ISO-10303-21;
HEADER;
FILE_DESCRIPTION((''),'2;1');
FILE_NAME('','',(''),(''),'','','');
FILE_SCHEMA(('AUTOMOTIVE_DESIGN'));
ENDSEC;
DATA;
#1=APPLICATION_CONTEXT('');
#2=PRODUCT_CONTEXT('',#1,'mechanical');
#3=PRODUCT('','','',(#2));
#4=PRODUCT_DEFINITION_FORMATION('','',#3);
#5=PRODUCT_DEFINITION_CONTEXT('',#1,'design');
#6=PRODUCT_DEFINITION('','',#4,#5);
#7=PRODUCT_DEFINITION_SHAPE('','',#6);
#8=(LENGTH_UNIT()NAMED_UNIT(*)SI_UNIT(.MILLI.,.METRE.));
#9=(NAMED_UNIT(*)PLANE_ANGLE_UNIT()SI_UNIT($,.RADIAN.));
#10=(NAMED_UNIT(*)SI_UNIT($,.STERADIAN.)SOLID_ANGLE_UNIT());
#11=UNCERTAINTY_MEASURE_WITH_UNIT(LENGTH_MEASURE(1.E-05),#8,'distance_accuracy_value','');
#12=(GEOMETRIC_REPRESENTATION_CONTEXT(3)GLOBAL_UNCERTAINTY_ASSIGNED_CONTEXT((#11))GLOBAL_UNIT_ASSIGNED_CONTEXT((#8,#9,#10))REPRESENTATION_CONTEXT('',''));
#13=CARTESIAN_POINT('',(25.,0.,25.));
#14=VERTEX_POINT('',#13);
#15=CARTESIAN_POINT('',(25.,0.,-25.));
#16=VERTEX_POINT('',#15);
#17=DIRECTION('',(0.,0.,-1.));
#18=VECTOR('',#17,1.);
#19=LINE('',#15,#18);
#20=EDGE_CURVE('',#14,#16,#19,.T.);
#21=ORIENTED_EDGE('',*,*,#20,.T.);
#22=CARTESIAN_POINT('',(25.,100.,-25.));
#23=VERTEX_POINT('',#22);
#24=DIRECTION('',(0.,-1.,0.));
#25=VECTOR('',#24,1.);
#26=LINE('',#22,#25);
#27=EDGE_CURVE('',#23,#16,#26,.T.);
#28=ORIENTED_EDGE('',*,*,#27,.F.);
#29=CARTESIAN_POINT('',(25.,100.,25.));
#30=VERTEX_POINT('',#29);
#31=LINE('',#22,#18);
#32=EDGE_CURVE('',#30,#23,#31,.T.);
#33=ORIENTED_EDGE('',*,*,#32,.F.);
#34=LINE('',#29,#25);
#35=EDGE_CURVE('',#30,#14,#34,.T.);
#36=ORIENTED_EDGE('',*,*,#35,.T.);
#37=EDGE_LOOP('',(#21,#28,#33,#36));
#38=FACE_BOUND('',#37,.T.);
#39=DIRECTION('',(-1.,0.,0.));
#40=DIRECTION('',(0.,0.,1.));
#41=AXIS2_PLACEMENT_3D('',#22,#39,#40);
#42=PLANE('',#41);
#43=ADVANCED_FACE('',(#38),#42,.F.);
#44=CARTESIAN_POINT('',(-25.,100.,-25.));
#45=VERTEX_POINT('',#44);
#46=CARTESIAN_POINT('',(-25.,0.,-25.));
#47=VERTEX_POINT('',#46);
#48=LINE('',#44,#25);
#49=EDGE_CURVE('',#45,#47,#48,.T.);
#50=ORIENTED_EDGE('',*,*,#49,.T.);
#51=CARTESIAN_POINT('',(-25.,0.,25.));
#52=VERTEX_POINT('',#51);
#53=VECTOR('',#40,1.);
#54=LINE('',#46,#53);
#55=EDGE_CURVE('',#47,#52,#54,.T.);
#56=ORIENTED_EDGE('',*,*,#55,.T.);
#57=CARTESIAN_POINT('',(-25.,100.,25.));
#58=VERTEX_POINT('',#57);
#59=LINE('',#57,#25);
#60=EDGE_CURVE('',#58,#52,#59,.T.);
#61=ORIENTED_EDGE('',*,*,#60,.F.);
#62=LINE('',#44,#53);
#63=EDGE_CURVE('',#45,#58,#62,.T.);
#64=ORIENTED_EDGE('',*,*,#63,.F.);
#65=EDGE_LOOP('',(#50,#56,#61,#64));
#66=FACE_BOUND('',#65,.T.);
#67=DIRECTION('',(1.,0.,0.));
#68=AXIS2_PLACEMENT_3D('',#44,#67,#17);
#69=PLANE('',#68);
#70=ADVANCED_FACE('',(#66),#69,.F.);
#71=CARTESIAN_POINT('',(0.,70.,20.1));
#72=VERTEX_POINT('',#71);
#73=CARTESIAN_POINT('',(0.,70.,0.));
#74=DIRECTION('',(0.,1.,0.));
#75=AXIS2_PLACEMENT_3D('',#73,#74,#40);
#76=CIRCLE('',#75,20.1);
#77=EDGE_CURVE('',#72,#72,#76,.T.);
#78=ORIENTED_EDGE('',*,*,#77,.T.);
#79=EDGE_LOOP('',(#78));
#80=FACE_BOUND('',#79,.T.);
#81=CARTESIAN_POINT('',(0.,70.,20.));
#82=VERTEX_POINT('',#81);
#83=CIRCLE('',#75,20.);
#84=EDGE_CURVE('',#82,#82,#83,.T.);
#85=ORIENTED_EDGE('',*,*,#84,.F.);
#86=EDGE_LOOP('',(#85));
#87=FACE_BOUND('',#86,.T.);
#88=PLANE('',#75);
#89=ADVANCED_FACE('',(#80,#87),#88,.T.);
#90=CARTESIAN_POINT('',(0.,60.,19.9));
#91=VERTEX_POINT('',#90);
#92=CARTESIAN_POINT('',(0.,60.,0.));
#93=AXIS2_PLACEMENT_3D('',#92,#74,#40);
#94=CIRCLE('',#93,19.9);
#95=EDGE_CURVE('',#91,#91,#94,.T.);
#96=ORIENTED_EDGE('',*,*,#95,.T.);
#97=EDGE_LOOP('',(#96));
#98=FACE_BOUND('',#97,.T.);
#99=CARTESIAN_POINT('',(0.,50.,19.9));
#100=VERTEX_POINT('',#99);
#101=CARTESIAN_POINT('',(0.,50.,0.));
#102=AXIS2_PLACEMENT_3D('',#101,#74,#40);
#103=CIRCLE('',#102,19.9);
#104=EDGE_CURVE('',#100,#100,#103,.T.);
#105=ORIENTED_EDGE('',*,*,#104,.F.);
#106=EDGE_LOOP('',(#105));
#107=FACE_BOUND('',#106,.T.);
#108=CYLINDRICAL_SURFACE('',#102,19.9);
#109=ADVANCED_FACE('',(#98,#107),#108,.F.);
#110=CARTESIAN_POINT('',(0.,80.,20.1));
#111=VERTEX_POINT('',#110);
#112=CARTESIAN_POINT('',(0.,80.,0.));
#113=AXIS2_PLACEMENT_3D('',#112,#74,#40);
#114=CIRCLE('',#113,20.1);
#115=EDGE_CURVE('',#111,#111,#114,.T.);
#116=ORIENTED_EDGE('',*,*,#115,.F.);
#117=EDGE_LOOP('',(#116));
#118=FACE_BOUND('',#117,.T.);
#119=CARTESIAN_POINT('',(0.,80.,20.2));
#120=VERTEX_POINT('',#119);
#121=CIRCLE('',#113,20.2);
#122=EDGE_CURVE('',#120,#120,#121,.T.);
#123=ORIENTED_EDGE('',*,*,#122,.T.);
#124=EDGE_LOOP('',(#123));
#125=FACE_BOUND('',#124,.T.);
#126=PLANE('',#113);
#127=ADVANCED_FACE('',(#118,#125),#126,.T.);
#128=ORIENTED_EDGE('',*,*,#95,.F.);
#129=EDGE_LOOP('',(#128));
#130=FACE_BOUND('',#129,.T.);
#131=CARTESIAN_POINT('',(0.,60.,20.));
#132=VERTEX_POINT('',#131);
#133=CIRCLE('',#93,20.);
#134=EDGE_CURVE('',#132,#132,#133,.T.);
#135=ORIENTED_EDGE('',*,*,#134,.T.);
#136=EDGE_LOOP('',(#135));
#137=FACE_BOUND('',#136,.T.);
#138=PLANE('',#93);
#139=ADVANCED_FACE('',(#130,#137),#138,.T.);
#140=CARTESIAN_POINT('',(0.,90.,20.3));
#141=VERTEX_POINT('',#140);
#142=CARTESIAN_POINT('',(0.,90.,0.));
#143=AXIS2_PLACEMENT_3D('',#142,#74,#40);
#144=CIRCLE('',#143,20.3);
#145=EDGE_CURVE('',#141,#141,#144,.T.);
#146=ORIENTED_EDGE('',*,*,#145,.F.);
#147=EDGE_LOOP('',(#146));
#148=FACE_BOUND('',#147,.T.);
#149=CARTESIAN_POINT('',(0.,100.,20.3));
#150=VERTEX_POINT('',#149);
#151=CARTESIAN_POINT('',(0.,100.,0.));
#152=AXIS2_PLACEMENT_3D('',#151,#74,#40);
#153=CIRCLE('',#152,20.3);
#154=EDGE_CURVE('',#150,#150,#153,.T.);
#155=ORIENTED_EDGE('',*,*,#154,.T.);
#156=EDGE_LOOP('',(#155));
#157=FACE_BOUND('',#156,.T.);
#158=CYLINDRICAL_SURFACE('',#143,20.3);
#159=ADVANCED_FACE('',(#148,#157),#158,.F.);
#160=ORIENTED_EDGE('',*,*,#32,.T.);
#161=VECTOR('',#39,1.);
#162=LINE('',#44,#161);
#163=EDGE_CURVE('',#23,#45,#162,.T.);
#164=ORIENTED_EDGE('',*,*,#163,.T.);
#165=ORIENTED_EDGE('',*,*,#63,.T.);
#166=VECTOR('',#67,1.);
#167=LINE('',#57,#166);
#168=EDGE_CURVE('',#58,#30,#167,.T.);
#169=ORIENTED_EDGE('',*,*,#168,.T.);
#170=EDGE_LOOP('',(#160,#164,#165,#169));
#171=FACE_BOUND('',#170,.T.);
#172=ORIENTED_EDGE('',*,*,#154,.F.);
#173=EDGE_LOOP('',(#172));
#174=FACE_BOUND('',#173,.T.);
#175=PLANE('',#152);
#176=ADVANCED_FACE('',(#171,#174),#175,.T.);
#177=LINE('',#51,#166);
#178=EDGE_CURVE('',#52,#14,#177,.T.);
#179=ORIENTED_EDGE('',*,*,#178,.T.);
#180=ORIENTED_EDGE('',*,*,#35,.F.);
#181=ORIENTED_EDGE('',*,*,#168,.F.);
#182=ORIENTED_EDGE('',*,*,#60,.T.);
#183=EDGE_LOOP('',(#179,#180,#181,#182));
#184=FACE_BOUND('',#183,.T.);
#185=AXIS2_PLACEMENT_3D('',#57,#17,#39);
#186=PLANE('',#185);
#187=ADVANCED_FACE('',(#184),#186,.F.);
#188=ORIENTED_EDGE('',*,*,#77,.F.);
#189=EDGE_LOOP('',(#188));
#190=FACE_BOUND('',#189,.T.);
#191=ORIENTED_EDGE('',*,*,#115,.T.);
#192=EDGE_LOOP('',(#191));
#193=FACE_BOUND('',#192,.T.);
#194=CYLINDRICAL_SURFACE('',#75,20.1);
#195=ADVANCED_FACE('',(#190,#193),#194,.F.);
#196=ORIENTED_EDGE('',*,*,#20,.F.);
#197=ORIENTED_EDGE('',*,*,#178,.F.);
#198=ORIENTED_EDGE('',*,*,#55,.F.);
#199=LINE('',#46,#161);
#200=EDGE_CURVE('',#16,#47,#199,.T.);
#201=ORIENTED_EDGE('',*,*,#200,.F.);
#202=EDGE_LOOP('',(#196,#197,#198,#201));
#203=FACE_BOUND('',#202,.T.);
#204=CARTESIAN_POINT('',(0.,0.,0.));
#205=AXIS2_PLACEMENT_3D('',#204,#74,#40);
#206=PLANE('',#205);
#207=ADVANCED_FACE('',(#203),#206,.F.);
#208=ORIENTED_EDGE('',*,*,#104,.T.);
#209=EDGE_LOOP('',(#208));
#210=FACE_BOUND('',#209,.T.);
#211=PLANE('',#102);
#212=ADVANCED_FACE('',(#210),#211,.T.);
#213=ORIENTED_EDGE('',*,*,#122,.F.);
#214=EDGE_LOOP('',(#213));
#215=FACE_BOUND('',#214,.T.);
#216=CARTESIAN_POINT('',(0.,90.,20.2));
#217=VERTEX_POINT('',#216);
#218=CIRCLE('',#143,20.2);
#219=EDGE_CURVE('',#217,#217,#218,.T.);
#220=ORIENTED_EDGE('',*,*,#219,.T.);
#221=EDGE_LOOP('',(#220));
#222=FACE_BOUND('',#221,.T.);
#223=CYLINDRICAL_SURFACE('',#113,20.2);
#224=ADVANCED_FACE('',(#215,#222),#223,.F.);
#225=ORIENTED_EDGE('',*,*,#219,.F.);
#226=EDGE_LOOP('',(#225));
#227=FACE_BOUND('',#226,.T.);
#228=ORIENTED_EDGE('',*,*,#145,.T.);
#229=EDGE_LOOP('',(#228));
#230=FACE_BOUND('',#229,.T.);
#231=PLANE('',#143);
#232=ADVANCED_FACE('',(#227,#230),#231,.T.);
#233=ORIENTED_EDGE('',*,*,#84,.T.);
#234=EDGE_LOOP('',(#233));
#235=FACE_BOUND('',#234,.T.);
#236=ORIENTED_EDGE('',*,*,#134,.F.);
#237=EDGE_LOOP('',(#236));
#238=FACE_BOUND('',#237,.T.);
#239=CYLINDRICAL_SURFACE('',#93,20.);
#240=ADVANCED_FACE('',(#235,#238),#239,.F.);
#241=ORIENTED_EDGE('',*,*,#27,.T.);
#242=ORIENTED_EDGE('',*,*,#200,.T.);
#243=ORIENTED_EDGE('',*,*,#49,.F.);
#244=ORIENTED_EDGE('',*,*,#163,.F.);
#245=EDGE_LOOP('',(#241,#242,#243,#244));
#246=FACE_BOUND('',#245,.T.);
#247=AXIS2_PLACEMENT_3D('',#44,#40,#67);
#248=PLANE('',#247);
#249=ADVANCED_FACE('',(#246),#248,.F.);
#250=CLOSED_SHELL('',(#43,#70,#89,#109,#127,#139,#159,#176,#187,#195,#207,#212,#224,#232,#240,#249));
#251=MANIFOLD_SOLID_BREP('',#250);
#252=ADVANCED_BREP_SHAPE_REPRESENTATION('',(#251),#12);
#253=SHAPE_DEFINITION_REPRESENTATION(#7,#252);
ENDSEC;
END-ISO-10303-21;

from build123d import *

# Parameters (mm, degrees)
SKETCH1_W           = 50
SKETCH1_H           = 50
BOSS_EXTRUDE1_DEPTH = 100
SKETCH2_R           = 19.9
CUT_EXTRUDE2_DEPTH  = 50
SKETCH2_5_R         = 20
SKETCH2_5_R_2       = 19.9
CUT_EXTRUDE3_DEPTH  = 40
SKETCH2_6_R         = 20.1
SKETCH2_6_R_2       = 20
CUT_EXTRUDE4_DEPTH  = 30
SKETCH2_7_R         = 20.2
SKETCH2_7_R_2       = 20.1
CUT_EXTRUDE5_DEPTH  = 20
SKETCH2_8_R         = 20.3
SKETCH2_8_R_2       = 20.2
CUT_EXTRUDE6_DEPTH  = 10


with BuildPart() as part:
    # Sketch1 → Boss-Extrude1 (new body)
    with BuildSketch(Plane(origin=(0, 0, 0), x_dir=(1, 0, 0), z_dir=(0, 1, 0))):
        Rectangle(SKETCH1_W, SKETCH1_H)
    extrude(amount=BOSS_EXTRUDE1_DEPTH)

    # Sketch2 → Cut-Extrude2 (cut)
    with BuildSketch(Plane(origin=(0, 100, 0), x_dir=(1, 0, 0), z_dir=(0, 1, 0))):
        Circle(SKETCH2_R)
    extrude(amount=-CUT_EXTRUDE2_DEPTH, mode=Mode.SUBTRACT)

    # Sketch2<5> → Cut-Extrude3 (cut)
    with BuildSketch(Plane(origin=(0, 100, 0), x_dir=(1, 0, 0), z_dir=(0, 1, 0))):
        Circle(SKETCH2_5_R)
        Circle(SKETCH2_5_R_2, mode=Mode.SUBTRACT)
    extrude(amount=-CUT_EXTRUDE3_DEPTH, mode=Mode.SUBTRACT)

    # Sketch2<6> → Cut-Extrude4 (cut)
    with BuildSketch(Plane(origin=(0, 100, 0), x_dir=(1, 0, 0), z_dir=(0, 1, 0))):
        Circle(SKETCH2_6_R)
        Circle(SKETCH2_6_R_2, mode=Mode.SUBTRACT)
    extrude(amount=-CUT_EXTRUDE4_DEPTH, mode=Mode.SUBTRACT)

    # Sketch2<7> → Cut-Extrude5 (cut)
    with BuildSketch(Plane(origin=(0, 100, 0), x_dir=(1, 0, 0), z_dir=(0, 1, 0))):
        Circle(SKETCH2_7_R)
        Circle(SKETCH2_7_R_2, mode=Mode.SUBTRACT)
    extrude(amount=-CUT_EXTRUDE5_DEPTH, mode=Mode.SUBTRACT)

    # Sketch2<8> → Cut-Extrude6 (cut)
    with BuildSketch(Plane(origin=(0, 100, 0), x_dir=(1, 0, 0), z_dir=(0, 1, 0))):
        Circle(SKETCH2_8_R)
        Circle(SKETCH2_8_R_2, mode=Mode.SUBTRACT)
    extrude(amount=-CUT_EXTRUDE6_DEPTH, mode=Mode.SUBTRACT)


solid = part.part
